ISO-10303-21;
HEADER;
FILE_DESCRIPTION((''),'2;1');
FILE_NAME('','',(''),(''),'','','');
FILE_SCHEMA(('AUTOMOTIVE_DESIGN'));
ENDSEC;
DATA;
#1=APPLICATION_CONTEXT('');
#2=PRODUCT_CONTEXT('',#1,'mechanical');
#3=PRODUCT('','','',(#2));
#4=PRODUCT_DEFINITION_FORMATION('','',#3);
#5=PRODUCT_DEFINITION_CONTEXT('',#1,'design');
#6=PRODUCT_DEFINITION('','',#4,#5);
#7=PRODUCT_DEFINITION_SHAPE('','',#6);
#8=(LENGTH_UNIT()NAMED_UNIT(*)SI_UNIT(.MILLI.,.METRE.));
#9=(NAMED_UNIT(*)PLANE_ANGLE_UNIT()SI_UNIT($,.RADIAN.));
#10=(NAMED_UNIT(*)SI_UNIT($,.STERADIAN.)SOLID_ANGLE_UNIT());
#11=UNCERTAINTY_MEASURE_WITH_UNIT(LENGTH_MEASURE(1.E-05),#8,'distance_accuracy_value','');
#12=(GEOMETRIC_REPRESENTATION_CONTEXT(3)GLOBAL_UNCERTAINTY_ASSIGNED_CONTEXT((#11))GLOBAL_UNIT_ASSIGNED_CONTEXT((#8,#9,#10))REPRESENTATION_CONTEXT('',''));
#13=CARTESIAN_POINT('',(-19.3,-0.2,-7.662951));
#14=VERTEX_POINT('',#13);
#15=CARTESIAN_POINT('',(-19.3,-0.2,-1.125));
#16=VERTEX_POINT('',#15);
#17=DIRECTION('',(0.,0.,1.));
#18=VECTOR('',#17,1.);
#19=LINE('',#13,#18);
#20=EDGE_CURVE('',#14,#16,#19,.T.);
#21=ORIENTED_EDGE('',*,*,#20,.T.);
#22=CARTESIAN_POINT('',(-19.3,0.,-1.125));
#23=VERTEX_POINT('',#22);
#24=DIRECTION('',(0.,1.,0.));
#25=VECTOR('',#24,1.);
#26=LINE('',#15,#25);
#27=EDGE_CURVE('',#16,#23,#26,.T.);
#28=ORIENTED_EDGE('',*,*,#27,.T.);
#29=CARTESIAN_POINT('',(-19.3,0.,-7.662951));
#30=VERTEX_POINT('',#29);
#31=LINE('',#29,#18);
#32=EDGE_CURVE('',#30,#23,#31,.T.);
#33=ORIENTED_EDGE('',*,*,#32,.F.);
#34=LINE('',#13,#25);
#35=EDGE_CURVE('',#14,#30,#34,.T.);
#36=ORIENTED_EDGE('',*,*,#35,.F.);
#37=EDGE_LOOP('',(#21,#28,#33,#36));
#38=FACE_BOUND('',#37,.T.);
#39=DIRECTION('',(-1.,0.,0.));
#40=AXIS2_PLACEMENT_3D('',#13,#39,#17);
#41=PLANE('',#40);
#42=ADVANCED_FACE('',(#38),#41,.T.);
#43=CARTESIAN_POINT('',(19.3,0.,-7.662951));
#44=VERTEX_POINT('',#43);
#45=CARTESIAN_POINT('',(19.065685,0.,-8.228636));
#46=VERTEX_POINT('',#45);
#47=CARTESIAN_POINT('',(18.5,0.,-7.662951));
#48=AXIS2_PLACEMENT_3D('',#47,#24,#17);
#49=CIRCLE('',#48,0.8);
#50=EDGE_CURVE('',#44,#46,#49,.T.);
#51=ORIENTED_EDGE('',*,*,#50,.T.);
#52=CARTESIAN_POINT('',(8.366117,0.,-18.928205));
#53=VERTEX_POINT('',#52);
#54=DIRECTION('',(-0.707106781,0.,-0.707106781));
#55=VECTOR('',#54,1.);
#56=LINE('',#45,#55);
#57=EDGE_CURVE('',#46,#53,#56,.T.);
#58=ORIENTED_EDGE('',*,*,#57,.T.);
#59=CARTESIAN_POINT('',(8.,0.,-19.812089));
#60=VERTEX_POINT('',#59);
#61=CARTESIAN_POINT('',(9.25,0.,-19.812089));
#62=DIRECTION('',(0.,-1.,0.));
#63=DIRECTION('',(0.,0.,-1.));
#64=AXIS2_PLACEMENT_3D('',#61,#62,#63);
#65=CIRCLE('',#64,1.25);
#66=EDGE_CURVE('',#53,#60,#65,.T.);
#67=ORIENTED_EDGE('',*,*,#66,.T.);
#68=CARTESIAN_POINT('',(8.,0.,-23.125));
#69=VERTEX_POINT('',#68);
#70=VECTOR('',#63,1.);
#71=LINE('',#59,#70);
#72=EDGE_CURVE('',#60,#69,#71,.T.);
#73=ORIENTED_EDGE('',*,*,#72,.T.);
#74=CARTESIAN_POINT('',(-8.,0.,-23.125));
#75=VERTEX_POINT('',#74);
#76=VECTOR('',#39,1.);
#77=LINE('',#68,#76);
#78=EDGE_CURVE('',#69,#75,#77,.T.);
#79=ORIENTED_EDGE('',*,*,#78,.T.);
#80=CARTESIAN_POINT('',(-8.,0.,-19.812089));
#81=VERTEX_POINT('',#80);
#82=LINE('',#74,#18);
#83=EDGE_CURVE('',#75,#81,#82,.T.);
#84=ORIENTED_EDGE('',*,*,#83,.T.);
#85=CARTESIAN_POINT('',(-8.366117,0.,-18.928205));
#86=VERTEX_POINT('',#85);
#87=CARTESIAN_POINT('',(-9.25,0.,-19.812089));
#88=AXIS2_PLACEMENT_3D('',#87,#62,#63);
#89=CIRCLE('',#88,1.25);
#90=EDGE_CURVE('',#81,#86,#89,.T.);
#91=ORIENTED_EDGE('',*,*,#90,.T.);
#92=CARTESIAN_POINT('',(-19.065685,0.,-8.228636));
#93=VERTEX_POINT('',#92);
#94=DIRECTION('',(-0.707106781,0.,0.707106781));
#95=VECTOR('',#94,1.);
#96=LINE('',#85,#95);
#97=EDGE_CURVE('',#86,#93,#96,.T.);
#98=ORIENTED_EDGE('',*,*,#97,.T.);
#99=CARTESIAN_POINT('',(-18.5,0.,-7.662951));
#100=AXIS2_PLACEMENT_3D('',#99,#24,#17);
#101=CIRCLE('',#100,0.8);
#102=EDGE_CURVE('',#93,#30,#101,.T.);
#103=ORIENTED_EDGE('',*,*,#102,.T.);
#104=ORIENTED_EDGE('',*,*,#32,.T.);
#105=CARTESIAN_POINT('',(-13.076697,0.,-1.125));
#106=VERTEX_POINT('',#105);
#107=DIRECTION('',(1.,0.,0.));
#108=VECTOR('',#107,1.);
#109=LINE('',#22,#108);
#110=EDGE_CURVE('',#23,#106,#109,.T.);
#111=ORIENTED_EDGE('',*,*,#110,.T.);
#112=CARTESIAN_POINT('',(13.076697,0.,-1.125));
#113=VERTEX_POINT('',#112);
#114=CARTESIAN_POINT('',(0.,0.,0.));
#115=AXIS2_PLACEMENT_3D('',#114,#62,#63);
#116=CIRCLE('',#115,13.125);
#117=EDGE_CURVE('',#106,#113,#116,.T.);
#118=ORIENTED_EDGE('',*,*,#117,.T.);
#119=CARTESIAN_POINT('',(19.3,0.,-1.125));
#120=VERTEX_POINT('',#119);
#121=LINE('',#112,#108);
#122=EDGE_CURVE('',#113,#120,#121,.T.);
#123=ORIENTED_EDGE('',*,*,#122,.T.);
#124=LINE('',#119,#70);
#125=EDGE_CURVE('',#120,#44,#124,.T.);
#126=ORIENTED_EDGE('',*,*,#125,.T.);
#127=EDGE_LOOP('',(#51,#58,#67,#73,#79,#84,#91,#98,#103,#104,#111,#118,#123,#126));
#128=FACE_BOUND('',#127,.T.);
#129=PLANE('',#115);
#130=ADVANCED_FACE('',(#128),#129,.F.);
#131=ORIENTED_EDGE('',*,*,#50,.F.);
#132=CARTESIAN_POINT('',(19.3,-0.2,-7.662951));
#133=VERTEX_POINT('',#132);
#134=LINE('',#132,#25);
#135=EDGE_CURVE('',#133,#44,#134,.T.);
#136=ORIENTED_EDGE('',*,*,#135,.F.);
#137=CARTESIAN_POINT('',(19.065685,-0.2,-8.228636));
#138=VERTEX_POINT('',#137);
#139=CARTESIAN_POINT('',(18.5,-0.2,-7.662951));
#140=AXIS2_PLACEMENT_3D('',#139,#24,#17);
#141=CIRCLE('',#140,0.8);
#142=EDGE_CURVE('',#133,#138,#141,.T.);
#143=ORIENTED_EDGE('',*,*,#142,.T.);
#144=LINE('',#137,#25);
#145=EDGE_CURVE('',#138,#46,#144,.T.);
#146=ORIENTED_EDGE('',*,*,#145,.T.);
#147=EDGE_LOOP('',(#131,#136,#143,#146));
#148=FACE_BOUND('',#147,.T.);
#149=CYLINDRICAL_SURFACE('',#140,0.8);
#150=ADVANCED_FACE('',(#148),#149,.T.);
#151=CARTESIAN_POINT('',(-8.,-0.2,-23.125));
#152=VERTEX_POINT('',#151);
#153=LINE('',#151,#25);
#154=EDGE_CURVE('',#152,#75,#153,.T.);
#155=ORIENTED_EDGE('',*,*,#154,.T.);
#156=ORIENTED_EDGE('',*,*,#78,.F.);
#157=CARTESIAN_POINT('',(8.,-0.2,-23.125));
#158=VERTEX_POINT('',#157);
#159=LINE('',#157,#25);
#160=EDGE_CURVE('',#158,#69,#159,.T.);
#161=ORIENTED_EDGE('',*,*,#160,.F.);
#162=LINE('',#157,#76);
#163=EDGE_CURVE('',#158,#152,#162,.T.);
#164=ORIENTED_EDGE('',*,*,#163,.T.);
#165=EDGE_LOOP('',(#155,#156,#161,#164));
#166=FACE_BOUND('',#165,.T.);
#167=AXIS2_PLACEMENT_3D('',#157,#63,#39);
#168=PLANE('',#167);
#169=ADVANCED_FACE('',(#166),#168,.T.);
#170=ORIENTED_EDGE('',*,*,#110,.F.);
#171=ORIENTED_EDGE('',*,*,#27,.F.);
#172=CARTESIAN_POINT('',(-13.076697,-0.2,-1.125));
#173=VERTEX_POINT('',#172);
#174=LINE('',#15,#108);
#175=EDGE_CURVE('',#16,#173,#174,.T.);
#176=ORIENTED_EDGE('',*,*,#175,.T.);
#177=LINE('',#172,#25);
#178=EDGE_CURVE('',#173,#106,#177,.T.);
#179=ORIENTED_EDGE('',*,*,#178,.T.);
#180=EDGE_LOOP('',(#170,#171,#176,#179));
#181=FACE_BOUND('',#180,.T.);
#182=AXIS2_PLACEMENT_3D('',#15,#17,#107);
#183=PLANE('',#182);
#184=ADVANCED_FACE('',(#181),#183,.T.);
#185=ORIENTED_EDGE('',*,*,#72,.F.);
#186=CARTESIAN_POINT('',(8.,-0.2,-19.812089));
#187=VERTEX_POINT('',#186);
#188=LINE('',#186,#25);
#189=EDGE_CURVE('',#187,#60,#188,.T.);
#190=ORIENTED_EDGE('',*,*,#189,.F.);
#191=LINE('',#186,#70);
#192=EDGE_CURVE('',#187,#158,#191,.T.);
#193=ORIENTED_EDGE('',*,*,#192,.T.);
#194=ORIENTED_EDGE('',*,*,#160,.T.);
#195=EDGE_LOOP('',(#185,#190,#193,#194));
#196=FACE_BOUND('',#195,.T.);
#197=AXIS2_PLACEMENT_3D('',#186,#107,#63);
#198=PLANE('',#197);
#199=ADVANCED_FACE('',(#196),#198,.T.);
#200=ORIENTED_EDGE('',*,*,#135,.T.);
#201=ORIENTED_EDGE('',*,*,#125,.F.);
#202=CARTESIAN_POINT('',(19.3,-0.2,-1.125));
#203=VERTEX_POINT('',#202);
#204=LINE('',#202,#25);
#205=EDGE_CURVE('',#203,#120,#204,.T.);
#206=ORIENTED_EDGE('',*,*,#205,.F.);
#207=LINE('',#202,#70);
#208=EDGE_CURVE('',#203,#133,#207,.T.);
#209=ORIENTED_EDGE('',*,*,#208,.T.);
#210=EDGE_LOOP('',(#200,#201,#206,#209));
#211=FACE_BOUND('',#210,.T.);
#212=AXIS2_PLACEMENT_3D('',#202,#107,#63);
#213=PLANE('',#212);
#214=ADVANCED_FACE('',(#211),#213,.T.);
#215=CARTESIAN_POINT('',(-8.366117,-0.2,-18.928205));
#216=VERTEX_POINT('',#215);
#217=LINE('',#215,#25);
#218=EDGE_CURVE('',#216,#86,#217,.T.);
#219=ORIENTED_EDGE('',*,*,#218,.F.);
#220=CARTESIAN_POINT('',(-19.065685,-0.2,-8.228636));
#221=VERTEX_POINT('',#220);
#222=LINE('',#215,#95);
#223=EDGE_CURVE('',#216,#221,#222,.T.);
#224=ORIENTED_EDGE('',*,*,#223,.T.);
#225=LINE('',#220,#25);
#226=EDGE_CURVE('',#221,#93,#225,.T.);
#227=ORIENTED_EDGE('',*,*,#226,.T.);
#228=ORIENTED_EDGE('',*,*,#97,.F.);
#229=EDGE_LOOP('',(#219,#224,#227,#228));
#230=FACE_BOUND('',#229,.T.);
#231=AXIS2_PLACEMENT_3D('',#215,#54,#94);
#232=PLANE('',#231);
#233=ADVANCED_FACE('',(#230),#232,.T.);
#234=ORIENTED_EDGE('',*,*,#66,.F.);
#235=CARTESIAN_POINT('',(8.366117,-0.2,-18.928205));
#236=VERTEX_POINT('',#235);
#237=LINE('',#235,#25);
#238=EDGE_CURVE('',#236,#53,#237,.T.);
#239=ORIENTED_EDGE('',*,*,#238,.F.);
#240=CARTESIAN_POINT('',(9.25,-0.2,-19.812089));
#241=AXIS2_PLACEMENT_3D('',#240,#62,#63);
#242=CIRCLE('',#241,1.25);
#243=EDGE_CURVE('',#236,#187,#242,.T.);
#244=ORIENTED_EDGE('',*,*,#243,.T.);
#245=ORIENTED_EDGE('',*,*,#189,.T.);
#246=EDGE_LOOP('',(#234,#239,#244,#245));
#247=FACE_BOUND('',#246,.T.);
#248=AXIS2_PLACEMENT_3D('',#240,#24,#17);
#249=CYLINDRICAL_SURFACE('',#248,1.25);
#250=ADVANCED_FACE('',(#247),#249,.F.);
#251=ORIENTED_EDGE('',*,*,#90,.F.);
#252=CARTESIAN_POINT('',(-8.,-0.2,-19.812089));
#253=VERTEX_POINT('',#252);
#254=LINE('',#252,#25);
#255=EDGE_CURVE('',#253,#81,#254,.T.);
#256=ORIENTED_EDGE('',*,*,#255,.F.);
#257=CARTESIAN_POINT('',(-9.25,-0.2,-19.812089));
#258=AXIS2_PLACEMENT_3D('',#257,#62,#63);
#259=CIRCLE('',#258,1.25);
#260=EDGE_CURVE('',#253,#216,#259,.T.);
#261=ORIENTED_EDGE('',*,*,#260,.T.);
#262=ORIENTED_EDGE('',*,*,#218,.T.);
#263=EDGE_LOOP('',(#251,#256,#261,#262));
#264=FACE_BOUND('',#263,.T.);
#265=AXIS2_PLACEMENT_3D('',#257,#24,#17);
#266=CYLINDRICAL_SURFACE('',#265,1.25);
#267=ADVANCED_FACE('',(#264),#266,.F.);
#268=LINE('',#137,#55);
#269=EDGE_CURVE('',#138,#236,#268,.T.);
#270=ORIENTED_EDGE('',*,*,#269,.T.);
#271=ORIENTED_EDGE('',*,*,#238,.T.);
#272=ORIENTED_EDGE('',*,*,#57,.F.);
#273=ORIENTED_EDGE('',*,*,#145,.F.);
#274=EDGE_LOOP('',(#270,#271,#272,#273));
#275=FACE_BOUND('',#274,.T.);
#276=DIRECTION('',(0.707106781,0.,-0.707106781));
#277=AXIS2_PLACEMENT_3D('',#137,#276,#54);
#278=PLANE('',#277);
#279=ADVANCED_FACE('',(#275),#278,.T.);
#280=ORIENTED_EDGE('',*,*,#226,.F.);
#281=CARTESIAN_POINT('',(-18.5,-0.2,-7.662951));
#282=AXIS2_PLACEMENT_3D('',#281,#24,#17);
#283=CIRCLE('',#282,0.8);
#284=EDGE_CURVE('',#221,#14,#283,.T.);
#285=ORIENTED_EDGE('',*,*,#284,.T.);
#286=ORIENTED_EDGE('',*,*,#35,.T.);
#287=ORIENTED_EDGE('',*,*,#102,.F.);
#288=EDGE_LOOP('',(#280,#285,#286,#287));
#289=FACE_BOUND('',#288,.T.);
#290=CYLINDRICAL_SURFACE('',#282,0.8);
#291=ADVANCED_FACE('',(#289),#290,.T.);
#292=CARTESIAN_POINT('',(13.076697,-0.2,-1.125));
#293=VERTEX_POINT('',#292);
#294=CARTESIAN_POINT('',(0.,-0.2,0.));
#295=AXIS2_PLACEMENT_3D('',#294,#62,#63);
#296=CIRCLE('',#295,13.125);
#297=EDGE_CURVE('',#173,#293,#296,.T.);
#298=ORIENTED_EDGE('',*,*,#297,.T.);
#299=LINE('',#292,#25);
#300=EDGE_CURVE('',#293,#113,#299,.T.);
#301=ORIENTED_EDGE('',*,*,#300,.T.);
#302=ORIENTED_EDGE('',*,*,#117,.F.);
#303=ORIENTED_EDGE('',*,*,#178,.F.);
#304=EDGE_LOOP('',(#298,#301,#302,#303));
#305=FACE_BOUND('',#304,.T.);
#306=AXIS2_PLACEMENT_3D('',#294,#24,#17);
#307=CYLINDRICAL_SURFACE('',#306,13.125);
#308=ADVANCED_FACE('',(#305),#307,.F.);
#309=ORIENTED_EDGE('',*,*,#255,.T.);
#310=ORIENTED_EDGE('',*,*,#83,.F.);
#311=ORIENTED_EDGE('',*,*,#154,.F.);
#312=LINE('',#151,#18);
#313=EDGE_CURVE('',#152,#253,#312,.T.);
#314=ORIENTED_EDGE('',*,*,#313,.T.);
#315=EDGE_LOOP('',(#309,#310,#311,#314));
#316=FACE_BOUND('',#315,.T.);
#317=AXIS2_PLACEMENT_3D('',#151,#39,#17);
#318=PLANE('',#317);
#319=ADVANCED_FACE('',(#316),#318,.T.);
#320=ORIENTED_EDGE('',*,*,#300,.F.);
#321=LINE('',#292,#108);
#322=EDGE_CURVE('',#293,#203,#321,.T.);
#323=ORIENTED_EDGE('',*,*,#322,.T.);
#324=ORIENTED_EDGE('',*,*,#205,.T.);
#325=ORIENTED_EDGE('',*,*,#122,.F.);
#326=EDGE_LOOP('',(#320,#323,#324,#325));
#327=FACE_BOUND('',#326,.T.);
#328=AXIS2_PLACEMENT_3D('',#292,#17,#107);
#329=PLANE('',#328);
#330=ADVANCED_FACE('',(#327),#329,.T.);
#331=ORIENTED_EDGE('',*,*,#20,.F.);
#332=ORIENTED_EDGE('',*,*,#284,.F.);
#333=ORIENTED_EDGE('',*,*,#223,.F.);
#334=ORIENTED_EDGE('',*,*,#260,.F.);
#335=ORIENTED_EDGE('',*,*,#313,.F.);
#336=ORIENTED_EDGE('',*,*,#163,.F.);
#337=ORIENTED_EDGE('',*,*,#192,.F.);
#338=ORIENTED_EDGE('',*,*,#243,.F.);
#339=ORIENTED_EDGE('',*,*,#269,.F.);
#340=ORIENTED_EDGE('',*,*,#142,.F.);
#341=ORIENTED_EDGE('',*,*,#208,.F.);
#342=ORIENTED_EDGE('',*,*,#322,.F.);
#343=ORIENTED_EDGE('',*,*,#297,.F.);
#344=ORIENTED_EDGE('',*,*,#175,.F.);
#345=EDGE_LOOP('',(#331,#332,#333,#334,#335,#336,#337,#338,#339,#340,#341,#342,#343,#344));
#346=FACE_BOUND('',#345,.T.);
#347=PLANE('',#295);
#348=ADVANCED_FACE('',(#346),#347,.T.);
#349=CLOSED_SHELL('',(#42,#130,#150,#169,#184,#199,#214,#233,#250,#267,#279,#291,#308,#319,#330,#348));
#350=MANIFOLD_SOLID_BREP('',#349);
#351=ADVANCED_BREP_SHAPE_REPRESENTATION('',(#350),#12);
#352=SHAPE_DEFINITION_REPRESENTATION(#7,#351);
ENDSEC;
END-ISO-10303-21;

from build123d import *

# Parameters (mm, degrees)
BOSS_EXTRUDE1_DEPTH = 0.2


with BuildPart() as part:
    # Sketch1 → Boss-Extrude1 (new body)
    with BuildSketch(Plane(origin=(0, 0, 0), x_dir=(1, 0, 0), z_dir=(0, 1, 0))):
        with BuildLine():
            Line((-19.3, 1.125), (-13.076696831, 1.125))
            ThreePointArc((-13.076696831, 1.125), (0, 13.125), (13.076696831, 1.125))
            Line((13.076696831, 1.125), (19.3, 1.125))
            Line((19.3, 1.125), (19.3, 7.662950904))
            ThreePointArc((19.3, 7.662950904), (19.239103626, 7.969097649), (19.065685426, 8.228636327))
            Line((19.065685426, 8.228636327), (8.366116524, 18.928205229))
            ThreePointArc((8.366116524, 18.928205229), (8.095150585, 19.333734415), (8, 19.812088706))
            Line((8, 19.812088706), (8, 23.124999999))
            Line((8, 23.124999999), (-8, 23.124999999))
            Line((-8, 23.124999999), (-8, 19.812088706))
            ThreePointArc((-8, 19.812088706), (-8.095150585, 19.333734415), (-8.366116524, 18.928205229))
            Line((-8.366116524, 18.928205229), (-19.065685426, 8.228636327))
            ThreePointArc((-19.065685426, 8.228636327), (-19.239103626, 7.969097649), (-19.3, 7.662950904))
            Line((-19.3, 7.662950904), (-19.3, 1.125))
        make_face()
    extrude(amount=-BOSS_EXTRUDE1_DEPTH)


solid = part.part
